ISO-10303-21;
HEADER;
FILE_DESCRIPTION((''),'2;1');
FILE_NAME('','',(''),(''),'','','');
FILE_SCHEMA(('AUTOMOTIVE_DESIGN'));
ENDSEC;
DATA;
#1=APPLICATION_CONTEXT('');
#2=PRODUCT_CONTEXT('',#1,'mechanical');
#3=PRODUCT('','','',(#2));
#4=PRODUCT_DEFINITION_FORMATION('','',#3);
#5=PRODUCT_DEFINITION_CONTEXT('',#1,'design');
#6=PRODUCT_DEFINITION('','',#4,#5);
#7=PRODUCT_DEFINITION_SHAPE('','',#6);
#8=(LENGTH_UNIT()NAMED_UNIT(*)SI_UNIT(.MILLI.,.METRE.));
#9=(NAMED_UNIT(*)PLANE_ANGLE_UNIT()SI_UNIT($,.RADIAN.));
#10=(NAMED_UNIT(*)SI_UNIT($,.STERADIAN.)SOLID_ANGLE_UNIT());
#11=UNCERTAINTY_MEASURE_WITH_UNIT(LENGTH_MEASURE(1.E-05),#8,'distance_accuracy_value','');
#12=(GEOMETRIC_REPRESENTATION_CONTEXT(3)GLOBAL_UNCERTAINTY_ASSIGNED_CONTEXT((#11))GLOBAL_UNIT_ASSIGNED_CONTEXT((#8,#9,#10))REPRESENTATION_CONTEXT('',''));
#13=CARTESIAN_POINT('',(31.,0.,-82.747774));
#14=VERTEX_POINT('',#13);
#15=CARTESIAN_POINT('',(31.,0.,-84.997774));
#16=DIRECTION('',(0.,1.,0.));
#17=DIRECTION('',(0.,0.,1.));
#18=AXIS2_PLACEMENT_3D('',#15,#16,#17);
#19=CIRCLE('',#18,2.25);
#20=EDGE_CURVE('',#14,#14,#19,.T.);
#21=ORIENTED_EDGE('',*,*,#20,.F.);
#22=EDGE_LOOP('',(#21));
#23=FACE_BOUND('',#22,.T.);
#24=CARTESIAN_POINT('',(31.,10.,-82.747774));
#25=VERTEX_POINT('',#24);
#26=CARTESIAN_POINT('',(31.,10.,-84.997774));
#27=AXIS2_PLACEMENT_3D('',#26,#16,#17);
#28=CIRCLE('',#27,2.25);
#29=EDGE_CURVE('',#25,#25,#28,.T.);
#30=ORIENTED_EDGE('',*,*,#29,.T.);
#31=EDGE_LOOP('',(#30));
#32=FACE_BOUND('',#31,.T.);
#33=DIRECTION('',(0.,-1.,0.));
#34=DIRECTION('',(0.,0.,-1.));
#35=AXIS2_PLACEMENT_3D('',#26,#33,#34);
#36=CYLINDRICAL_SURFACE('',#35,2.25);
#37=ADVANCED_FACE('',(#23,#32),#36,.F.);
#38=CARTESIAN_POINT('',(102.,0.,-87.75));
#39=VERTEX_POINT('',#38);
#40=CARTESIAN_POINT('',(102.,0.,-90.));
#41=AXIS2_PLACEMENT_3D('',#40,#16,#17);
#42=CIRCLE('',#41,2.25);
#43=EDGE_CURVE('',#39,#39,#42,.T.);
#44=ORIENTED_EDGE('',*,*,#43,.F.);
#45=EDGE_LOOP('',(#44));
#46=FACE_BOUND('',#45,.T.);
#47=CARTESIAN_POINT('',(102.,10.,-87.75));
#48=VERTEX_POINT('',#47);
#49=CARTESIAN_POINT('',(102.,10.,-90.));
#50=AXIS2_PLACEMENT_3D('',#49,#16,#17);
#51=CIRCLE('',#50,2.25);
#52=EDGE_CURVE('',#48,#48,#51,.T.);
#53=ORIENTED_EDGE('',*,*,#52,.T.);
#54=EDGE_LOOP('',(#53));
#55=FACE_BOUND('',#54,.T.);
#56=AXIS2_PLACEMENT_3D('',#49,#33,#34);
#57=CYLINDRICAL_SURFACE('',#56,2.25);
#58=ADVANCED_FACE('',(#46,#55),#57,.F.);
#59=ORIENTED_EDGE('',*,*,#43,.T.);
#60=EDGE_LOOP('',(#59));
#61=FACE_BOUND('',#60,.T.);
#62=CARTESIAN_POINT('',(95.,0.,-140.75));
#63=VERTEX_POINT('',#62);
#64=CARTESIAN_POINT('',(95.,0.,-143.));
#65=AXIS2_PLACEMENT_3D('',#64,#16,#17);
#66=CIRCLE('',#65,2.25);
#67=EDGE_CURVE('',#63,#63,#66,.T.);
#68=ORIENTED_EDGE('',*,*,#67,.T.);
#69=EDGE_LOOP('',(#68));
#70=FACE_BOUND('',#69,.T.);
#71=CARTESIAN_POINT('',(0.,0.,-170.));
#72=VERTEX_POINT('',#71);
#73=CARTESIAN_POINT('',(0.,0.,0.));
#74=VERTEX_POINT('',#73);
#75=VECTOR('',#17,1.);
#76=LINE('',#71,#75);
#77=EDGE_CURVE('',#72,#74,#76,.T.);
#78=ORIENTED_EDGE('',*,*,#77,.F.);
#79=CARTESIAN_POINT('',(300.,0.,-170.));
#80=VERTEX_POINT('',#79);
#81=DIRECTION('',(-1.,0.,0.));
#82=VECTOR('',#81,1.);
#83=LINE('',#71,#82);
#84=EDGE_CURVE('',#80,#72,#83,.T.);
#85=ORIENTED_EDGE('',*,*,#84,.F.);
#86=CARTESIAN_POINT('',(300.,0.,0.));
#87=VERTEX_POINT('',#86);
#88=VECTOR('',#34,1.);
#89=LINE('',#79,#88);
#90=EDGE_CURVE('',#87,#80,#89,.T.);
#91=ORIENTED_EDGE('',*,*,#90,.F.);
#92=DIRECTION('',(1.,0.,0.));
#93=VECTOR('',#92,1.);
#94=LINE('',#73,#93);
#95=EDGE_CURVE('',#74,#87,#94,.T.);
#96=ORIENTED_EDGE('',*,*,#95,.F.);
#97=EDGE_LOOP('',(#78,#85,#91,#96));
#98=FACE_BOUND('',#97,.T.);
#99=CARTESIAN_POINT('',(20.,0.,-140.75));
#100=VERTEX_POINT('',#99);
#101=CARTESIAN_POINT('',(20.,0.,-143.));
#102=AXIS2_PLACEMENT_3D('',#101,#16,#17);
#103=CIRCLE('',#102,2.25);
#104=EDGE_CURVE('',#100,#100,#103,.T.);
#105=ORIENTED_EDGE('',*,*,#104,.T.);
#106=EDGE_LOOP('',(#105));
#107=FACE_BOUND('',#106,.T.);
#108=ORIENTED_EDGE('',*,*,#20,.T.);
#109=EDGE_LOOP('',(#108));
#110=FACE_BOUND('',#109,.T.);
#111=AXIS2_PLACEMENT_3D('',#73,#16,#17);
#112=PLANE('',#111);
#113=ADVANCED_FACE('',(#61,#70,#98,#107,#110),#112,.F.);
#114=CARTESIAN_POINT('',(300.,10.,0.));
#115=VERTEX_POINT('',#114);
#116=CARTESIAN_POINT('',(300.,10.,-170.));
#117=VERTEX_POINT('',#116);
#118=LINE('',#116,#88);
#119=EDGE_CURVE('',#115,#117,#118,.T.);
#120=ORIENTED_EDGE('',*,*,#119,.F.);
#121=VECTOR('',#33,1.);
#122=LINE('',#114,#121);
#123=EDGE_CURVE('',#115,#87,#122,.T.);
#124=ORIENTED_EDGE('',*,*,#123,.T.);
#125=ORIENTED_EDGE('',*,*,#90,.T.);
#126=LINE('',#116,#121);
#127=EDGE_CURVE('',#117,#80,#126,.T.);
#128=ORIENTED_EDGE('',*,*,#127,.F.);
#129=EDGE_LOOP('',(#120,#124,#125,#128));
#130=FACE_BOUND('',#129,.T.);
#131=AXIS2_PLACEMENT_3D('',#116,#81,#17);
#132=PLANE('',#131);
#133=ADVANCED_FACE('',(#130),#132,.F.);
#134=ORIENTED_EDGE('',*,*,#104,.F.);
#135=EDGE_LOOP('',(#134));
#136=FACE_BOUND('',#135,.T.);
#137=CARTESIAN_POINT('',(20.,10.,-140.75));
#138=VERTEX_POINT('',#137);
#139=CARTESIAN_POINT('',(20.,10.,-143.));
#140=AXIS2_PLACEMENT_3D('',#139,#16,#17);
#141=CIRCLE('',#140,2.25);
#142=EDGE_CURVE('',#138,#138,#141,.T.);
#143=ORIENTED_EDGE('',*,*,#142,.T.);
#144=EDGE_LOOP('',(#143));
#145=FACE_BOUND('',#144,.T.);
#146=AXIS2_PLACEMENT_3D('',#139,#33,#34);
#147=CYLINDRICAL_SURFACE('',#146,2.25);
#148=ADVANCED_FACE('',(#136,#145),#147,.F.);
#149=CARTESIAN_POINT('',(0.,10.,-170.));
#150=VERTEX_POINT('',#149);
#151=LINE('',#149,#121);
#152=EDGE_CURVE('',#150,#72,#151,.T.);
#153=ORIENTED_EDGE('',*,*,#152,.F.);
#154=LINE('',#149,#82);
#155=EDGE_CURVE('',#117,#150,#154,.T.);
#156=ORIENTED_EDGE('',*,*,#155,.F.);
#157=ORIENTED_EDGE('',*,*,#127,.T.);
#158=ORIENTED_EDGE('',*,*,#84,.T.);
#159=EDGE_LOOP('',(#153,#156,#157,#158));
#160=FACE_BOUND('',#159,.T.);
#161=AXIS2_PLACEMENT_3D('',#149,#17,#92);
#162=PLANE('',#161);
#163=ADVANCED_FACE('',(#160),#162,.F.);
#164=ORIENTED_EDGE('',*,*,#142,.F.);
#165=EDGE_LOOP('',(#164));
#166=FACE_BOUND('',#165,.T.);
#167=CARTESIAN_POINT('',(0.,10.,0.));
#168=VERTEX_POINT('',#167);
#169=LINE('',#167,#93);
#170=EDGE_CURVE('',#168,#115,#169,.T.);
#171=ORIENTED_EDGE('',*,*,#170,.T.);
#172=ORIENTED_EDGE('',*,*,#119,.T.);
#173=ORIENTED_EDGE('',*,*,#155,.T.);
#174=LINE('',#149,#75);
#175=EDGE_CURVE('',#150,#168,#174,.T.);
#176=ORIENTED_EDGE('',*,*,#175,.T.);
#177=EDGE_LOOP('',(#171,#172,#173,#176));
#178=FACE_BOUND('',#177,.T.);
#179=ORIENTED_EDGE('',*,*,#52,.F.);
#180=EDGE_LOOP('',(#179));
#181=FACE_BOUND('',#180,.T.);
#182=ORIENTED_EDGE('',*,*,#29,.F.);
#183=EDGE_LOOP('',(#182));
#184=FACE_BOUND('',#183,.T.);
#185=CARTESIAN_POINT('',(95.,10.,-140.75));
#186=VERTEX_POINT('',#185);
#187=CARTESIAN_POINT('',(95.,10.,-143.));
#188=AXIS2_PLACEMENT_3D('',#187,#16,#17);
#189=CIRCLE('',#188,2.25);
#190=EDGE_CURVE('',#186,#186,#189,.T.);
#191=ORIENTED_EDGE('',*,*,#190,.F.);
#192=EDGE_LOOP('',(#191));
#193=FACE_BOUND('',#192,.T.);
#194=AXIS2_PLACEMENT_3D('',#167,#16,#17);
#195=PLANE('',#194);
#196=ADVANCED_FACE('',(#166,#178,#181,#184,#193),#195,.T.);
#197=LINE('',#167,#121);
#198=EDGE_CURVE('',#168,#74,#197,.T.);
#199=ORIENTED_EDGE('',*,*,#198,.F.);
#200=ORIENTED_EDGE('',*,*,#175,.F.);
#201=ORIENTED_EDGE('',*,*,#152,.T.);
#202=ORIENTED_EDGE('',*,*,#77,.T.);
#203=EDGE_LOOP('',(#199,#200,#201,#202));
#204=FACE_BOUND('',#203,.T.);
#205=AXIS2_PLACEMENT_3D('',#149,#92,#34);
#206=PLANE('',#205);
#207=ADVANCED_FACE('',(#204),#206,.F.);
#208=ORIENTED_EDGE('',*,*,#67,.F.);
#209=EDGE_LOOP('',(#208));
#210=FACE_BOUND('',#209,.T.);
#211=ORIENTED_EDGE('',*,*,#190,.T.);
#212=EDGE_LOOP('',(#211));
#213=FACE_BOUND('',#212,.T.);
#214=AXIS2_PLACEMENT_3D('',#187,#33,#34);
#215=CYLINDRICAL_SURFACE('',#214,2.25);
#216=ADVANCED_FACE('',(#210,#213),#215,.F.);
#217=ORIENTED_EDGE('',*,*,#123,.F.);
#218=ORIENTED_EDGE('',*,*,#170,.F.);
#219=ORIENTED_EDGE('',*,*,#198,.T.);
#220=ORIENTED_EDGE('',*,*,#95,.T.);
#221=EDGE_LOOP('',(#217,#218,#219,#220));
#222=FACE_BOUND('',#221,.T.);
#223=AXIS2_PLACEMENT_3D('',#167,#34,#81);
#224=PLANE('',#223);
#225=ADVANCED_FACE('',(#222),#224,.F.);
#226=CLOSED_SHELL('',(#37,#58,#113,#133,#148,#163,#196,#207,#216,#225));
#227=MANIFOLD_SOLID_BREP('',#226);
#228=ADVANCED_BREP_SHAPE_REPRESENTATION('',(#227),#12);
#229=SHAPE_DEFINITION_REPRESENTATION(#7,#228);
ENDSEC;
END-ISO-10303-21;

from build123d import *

# Parameters (mm, degrees)
SKETCH_1_W      = 300
SKETCH_1_H      = 170
SKETCH_1_R      = 2.25
EXTRUDE_1_DEPTH = 10


with BuildPart() as part:
    # Эскиз1 → Бобышка-Вытянуть1 (new body)
    with BuildSketch(Plane(origin=(0, 0, 0), x_dir=(1, 0, 0), z_dir=(0, 1, 0))):
        with Locations((150, 85)):
            Rectangle(SKETCH_1_W, SKETCH_1_H)
        with Locations(Location((20, 143, 0), (0, 0, 270))):
            Circle(SKETCH_1_R, mode=Mode.SUBTRACT)
        with Locations(Location((95, 143, 0), (0, 0, 270))):
            Circle(SKETCH_1_R, mode=Mode.SUBTRACT)
        with Locations(Location((102, 90, 0), (0, 0, 270))):
            Circle(SKETCH_1_R, mode=Mode.SUBTRACT)
        with Locations(Location((31, 84.997773958, 0), (0, 0, 270))):
            Circle(SKETCH_1_R, mode=Mode.SUBTRACT)
    extrude(amount=EXTRUDE_1_DEPTH)


solid = part.part
